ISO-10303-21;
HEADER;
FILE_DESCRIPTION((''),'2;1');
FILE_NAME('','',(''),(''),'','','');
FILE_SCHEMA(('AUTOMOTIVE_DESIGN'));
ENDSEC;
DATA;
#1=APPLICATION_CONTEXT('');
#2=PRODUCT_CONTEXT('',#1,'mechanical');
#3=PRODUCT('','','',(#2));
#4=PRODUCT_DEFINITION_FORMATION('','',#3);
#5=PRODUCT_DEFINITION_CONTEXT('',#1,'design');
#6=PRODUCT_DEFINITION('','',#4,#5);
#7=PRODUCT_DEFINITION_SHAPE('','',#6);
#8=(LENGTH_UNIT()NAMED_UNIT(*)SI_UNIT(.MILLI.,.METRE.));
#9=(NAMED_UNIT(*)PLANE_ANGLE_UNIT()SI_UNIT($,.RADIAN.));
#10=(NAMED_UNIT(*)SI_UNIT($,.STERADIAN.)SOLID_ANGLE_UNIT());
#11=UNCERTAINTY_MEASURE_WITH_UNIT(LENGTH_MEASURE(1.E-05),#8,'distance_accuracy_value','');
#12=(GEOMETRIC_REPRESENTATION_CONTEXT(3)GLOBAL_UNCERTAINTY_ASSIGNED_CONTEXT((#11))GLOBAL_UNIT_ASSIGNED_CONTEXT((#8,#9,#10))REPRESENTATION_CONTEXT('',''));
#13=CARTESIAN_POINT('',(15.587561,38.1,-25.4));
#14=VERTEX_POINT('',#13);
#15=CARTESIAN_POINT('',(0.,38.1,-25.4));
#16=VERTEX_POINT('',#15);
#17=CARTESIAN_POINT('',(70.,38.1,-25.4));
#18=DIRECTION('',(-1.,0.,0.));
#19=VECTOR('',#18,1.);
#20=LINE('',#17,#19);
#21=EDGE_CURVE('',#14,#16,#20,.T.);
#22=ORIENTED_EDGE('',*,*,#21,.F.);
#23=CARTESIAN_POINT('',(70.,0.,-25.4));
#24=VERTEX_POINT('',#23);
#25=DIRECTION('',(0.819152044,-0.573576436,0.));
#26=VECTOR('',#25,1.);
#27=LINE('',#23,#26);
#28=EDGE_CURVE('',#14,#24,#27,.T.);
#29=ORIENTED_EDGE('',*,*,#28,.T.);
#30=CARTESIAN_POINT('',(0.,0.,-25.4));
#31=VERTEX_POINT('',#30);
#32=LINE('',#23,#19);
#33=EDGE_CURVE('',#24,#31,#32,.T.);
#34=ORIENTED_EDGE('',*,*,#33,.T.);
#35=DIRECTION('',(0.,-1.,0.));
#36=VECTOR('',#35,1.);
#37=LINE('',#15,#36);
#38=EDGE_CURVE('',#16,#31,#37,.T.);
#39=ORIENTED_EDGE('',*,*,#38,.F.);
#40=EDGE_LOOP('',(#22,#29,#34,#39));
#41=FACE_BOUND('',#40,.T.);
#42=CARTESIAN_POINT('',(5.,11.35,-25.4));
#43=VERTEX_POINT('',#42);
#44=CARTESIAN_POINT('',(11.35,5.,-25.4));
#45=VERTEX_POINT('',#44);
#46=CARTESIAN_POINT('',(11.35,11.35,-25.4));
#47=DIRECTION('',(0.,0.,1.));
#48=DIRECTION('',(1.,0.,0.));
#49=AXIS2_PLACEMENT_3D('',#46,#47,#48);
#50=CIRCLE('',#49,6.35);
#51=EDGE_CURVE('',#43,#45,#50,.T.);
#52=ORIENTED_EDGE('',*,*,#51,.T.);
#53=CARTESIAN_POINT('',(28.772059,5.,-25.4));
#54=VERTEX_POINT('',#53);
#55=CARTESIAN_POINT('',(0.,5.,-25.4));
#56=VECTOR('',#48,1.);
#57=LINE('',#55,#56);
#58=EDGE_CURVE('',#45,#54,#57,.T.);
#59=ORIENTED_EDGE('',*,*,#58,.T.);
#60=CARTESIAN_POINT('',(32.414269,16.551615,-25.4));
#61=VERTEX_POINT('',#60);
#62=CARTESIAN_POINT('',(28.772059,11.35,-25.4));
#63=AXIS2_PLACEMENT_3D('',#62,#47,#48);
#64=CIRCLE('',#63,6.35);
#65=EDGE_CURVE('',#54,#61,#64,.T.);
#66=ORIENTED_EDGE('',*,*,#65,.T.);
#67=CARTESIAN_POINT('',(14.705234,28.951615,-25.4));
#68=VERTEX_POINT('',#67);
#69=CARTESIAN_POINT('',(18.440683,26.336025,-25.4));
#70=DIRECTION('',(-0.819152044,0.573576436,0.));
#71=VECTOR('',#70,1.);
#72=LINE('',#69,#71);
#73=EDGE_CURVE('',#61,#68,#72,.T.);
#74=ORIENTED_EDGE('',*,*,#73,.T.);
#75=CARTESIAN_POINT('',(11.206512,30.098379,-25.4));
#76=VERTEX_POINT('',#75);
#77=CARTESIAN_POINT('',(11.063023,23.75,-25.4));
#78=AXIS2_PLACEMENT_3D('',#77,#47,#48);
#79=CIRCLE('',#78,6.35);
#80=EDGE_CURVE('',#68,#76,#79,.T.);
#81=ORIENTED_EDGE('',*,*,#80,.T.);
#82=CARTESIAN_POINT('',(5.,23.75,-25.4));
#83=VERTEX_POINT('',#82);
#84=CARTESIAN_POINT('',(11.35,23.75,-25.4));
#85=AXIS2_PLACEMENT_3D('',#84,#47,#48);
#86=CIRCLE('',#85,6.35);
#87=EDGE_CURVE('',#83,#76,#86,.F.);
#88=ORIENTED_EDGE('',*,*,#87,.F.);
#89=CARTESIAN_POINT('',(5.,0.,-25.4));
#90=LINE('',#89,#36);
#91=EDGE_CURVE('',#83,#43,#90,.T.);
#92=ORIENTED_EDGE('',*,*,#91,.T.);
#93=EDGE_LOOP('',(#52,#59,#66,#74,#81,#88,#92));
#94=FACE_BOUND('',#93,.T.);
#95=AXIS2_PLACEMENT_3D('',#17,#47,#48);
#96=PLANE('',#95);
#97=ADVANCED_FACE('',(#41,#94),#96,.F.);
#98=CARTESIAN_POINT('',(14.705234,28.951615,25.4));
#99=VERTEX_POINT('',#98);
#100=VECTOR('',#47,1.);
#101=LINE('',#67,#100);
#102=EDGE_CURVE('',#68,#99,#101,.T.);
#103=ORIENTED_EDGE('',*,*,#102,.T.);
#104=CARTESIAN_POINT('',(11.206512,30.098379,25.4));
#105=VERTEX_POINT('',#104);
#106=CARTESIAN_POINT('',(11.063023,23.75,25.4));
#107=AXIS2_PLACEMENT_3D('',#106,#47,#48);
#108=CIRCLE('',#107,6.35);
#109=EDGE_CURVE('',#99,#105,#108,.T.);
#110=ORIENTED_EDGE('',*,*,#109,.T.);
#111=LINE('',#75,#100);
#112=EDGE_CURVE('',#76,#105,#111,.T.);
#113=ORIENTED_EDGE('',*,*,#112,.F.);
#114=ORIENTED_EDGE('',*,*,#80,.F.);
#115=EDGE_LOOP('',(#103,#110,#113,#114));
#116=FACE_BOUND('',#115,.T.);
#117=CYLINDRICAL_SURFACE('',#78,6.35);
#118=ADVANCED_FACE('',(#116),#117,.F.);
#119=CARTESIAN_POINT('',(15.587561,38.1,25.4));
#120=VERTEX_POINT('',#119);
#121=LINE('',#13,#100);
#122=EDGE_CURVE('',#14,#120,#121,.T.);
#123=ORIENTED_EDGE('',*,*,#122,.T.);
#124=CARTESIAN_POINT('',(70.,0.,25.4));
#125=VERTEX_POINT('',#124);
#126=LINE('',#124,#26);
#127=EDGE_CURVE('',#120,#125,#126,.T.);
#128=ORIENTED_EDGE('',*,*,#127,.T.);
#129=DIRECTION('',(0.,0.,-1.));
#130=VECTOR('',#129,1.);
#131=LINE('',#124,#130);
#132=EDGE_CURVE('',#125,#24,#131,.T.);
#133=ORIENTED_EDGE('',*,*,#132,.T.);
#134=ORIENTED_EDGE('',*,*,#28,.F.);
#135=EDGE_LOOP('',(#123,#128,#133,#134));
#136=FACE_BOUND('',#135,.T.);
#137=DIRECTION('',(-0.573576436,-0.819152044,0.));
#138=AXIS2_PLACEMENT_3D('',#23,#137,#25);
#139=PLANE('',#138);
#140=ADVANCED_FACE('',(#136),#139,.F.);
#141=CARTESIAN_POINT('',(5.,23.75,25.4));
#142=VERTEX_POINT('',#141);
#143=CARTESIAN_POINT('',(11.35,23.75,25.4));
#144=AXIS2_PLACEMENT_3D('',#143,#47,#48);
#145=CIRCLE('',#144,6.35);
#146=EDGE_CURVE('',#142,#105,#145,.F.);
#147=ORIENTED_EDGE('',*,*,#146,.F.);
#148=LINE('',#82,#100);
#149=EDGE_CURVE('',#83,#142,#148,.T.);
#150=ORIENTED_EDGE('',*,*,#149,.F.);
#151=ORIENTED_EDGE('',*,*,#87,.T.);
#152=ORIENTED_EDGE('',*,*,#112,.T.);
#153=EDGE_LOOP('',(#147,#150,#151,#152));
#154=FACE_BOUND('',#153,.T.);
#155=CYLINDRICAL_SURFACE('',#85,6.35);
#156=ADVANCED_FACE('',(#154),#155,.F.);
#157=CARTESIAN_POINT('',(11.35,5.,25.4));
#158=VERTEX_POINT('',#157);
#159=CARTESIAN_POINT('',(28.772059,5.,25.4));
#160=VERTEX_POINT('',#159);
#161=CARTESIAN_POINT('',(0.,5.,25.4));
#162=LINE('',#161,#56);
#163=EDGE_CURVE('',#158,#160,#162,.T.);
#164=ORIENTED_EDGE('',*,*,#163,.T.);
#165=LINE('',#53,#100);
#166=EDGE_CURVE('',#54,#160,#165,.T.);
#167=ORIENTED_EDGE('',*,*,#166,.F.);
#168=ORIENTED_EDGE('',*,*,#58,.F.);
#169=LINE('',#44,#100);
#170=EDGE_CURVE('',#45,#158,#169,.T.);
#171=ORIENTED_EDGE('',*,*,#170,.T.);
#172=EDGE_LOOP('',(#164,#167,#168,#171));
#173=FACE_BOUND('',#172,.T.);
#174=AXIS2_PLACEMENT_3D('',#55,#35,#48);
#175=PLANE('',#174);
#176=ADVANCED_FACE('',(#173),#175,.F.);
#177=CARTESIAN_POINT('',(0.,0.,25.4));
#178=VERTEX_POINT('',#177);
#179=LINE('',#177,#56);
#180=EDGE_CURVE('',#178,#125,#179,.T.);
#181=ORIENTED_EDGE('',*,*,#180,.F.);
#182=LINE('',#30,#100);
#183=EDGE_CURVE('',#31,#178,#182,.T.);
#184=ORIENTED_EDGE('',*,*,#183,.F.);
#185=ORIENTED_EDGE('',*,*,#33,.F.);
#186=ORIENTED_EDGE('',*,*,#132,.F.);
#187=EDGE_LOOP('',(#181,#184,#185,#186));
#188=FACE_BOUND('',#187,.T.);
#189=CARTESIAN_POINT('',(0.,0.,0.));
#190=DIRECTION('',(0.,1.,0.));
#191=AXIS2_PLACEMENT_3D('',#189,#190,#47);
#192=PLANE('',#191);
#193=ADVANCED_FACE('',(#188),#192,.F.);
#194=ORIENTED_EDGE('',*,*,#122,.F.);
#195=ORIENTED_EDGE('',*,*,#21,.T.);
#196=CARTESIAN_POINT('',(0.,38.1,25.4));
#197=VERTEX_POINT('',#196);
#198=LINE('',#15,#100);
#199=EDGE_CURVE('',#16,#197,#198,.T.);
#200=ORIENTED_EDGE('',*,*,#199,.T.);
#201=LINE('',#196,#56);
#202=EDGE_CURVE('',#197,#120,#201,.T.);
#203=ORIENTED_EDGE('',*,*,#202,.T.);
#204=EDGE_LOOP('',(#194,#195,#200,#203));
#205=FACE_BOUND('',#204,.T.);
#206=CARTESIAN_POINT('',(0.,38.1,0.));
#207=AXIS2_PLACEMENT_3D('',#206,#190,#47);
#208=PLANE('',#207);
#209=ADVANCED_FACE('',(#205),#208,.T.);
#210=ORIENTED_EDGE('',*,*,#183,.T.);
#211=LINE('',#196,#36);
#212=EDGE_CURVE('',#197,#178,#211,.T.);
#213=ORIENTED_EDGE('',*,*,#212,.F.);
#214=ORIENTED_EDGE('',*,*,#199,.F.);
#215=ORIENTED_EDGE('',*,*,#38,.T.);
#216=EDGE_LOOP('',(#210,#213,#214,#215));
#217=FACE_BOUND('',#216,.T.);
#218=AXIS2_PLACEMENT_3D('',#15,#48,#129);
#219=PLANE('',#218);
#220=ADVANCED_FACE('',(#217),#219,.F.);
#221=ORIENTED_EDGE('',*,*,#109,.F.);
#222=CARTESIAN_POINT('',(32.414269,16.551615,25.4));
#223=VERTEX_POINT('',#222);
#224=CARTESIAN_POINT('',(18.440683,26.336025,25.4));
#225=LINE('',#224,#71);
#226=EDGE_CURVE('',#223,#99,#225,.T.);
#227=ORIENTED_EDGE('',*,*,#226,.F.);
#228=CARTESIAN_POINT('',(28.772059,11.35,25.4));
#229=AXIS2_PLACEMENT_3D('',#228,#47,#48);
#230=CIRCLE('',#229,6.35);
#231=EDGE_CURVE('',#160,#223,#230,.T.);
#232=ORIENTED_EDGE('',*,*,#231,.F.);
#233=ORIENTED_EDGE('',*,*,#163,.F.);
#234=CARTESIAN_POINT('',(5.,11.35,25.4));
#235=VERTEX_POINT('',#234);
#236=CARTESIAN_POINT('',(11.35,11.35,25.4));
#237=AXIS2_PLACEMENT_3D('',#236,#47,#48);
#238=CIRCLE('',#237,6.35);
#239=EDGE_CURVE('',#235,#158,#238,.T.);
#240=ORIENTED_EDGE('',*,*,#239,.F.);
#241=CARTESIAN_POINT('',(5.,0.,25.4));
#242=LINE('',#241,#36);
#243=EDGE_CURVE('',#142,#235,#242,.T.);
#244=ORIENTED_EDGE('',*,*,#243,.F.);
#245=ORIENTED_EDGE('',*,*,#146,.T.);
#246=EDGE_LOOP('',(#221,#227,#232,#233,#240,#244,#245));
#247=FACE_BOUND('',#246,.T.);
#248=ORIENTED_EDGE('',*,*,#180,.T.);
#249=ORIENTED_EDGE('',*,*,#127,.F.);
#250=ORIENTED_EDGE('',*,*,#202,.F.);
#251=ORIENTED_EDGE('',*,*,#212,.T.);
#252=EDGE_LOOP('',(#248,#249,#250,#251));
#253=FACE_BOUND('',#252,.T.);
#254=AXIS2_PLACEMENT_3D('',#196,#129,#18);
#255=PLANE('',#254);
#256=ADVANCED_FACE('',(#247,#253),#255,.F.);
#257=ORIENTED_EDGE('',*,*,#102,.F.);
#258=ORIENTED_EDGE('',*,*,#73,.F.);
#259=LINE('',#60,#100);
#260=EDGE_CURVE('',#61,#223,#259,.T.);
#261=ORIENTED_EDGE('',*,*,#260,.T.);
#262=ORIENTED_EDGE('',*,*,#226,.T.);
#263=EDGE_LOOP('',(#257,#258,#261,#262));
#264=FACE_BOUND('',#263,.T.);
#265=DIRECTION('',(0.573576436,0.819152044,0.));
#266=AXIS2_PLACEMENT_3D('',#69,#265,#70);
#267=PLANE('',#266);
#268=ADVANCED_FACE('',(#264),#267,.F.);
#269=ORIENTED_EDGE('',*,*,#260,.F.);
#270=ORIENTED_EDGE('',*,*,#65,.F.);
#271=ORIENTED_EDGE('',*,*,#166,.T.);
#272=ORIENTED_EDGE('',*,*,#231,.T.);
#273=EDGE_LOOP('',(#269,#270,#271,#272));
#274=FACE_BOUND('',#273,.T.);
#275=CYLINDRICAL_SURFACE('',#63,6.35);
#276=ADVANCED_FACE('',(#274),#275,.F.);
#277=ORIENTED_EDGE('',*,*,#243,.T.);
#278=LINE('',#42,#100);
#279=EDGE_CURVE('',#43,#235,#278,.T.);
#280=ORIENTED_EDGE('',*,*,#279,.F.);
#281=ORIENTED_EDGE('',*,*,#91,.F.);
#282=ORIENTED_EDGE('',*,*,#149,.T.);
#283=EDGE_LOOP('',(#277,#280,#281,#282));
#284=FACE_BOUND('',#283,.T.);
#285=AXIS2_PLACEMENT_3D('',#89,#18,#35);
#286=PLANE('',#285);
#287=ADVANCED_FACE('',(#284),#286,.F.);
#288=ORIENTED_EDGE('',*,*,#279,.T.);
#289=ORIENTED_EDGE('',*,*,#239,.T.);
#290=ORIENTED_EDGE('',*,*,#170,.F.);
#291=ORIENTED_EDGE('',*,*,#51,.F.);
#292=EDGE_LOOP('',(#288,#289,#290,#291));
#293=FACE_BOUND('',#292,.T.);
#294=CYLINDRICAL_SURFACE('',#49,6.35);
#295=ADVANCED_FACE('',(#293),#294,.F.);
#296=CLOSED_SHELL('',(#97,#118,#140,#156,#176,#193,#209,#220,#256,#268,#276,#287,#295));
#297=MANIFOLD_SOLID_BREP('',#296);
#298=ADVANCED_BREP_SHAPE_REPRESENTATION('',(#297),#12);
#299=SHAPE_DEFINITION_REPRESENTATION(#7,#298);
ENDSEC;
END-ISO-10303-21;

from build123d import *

# Parameters (mm, degrees)
CROQUIS1_W              = 70
CROQUIS1_H              = 50.8
SALIENTE_EXTRUIR1_DEPTH = 38.1
CORTAR_EXTRUIR5_DEPTH   = 95.510581418
CORTAR_EXTRUIR6_DEPTH   = 95.510581418


with BuildPart() as part:
    # Croquis1 → Saliente-Extruir1 (new body)
    with BuildSketch(Plane(origin=(0, 0, 0), x_dir=(1, 0, 0), z_dir=(0, 1, 0))):
        with Locations((35, 0)):
            Rectangle(CROQUIS1_W, CROQUIS1_H)
    extrude(amount=SALIENTE_EXTRUIR1_DEPTH)

    # Croquis2 → Cortar-Extruir5 (cut, through all)
    with BuildSketch(Plane.XY.offset(25.4)):
        Polygon((70, 0), (15.587560943, 38.1), (70, 38.1), align=None)
    extrude(amount=-CORTAR_EXTRUIR5_DEPTH, mode=Mode.SUBTRACT)

    # Croquis3 → Cortar-Extruir6 (cut, through all)
    with BuildSketch(Plane.XY.offset(25.4)):
        with BuildLine():
            ThreePointArc((11.206511661, 30.09837862), (6.809424544, 28.189107402), (5, 23.75))
            Line((5, 23.75), (5, 11.35))
            ThreePointArc((5, 11.35), (6.859871939, 6.859871939), (11.35, 5))
            Line((11.35, 5), (28.772058606, 5))
            ThreePointArc((28.772058606, 5), (34.828161244, 9.440518173), (32.414268977, 16.551615481))
            Line((32.414268977, 16.551615481), (14.705233694, 28.951615481))
            ThreePointArc((14.705233694, 28.951615481), (13.040811255, 29.784140775), (11.206511661, 30.09837862))
        make_face()
    extrude(amount=-CORTAR_EXTRUIR6_DEPTH, mode=Mode.SUBTRACT)


solid = part.part
